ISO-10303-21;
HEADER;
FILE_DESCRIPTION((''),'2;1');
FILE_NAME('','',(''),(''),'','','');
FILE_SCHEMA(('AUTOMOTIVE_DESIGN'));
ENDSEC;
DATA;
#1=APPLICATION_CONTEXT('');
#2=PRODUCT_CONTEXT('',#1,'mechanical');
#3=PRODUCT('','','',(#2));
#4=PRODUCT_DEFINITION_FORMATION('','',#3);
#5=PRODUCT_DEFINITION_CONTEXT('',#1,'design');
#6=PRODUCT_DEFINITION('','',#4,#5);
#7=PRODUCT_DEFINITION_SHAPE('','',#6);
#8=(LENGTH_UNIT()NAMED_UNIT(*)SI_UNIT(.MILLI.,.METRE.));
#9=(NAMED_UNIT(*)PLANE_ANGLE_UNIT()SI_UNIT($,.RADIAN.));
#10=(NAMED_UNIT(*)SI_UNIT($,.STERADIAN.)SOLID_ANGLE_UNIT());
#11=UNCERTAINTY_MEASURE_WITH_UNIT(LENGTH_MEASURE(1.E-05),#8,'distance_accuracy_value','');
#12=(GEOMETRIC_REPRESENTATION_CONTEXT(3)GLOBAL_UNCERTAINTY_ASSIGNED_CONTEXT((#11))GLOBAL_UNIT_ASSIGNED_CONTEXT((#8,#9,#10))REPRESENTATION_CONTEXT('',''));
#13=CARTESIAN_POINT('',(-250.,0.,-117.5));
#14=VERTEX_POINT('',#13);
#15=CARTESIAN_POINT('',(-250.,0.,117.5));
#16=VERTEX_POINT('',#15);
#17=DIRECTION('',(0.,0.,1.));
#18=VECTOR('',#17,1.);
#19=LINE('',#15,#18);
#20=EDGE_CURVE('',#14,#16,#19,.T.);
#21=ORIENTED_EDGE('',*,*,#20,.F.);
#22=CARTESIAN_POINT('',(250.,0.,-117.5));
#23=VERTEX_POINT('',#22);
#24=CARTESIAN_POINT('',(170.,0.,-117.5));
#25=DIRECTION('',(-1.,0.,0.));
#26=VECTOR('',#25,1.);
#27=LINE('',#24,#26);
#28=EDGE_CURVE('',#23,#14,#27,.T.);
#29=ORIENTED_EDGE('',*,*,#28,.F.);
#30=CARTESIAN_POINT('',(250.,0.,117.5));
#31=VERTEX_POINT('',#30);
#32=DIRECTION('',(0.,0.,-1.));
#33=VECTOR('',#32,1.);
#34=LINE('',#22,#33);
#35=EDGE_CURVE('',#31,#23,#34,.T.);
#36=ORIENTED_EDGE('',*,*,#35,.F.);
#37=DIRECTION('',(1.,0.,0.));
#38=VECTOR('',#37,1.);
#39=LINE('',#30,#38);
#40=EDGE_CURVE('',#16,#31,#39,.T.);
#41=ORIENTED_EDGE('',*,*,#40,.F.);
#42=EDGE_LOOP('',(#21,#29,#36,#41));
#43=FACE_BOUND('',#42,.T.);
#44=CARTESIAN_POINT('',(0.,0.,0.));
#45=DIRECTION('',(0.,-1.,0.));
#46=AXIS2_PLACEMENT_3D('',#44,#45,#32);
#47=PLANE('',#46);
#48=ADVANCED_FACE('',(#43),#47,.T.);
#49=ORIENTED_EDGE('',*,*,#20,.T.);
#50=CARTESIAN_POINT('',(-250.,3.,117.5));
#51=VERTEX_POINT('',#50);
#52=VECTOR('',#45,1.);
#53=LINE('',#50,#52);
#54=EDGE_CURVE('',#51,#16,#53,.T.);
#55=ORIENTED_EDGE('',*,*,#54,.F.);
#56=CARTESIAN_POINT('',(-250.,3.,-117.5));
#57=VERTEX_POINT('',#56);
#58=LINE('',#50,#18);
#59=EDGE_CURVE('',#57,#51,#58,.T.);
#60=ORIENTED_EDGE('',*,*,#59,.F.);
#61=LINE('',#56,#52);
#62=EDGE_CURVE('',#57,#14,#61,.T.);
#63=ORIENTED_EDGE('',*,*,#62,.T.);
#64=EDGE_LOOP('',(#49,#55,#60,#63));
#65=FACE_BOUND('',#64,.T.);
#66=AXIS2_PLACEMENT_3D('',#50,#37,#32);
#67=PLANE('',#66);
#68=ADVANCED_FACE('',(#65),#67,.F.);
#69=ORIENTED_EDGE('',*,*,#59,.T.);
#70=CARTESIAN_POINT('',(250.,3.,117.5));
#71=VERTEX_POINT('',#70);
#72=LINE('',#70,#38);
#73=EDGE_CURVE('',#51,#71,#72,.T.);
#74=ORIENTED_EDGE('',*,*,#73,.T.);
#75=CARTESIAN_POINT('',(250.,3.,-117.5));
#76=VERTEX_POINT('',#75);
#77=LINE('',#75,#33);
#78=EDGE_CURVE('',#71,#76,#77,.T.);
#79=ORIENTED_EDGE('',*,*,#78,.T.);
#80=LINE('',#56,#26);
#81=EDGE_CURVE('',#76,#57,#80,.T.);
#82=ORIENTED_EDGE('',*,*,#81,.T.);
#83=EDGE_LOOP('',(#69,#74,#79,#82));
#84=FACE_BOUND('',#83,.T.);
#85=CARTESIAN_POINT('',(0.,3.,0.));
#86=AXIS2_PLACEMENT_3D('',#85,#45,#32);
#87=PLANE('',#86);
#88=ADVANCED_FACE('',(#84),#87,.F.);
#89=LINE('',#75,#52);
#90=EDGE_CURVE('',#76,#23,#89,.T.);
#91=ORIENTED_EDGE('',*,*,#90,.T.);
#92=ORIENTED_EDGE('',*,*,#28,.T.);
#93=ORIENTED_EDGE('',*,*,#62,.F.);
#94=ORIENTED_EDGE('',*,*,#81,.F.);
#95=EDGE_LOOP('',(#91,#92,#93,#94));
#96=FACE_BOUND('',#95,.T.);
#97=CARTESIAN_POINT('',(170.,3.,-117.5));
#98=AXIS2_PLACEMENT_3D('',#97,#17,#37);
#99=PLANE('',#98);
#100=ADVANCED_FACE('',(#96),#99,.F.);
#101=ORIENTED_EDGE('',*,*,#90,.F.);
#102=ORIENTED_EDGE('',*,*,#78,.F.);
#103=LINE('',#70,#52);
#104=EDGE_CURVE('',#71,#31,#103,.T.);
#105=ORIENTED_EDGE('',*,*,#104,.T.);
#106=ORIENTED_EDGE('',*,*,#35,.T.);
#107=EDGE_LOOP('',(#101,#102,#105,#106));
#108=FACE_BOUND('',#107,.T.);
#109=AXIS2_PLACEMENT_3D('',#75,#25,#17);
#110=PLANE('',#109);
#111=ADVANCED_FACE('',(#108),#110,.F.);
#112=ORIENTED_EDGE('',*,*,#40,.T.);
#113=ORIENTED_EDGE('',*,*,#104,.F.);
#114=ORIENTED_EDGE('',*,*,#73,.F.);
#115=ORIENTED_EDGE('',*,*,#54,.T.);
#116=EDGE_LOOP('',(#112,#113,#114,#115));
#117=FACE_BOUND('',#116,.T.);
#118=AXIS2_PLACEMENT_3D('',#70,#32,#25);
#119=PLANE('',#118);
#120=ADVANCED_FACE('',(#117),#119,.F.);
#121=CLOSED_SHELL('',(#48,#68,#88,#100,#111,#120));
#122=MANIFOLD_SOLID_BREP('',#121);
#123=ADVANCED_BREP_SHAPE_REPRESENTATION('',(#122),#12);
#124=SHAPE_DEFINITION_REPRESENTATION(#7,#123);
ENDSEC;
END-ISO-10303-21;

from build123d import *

# Parameters (mm, degrees)
BOSS_EXTRUDE1_DEPTH = 3


with BuildPart() as part:
    # Sketch1 → Boss-Extrude1 (new body)
    with BuildSketch(Plane(origin=(0, 0, 0), x_dir=(1, 0, 0), z_dir=(0, 1, 0))):
        Polygon((170, 117.5), (250, 117.5), (250, -117.5), (-250, -117.5), (-250, 117.5), align=None)
    extrude(amount=BOSS_EXTRUDE1_DEPTH)


solid = part.part
